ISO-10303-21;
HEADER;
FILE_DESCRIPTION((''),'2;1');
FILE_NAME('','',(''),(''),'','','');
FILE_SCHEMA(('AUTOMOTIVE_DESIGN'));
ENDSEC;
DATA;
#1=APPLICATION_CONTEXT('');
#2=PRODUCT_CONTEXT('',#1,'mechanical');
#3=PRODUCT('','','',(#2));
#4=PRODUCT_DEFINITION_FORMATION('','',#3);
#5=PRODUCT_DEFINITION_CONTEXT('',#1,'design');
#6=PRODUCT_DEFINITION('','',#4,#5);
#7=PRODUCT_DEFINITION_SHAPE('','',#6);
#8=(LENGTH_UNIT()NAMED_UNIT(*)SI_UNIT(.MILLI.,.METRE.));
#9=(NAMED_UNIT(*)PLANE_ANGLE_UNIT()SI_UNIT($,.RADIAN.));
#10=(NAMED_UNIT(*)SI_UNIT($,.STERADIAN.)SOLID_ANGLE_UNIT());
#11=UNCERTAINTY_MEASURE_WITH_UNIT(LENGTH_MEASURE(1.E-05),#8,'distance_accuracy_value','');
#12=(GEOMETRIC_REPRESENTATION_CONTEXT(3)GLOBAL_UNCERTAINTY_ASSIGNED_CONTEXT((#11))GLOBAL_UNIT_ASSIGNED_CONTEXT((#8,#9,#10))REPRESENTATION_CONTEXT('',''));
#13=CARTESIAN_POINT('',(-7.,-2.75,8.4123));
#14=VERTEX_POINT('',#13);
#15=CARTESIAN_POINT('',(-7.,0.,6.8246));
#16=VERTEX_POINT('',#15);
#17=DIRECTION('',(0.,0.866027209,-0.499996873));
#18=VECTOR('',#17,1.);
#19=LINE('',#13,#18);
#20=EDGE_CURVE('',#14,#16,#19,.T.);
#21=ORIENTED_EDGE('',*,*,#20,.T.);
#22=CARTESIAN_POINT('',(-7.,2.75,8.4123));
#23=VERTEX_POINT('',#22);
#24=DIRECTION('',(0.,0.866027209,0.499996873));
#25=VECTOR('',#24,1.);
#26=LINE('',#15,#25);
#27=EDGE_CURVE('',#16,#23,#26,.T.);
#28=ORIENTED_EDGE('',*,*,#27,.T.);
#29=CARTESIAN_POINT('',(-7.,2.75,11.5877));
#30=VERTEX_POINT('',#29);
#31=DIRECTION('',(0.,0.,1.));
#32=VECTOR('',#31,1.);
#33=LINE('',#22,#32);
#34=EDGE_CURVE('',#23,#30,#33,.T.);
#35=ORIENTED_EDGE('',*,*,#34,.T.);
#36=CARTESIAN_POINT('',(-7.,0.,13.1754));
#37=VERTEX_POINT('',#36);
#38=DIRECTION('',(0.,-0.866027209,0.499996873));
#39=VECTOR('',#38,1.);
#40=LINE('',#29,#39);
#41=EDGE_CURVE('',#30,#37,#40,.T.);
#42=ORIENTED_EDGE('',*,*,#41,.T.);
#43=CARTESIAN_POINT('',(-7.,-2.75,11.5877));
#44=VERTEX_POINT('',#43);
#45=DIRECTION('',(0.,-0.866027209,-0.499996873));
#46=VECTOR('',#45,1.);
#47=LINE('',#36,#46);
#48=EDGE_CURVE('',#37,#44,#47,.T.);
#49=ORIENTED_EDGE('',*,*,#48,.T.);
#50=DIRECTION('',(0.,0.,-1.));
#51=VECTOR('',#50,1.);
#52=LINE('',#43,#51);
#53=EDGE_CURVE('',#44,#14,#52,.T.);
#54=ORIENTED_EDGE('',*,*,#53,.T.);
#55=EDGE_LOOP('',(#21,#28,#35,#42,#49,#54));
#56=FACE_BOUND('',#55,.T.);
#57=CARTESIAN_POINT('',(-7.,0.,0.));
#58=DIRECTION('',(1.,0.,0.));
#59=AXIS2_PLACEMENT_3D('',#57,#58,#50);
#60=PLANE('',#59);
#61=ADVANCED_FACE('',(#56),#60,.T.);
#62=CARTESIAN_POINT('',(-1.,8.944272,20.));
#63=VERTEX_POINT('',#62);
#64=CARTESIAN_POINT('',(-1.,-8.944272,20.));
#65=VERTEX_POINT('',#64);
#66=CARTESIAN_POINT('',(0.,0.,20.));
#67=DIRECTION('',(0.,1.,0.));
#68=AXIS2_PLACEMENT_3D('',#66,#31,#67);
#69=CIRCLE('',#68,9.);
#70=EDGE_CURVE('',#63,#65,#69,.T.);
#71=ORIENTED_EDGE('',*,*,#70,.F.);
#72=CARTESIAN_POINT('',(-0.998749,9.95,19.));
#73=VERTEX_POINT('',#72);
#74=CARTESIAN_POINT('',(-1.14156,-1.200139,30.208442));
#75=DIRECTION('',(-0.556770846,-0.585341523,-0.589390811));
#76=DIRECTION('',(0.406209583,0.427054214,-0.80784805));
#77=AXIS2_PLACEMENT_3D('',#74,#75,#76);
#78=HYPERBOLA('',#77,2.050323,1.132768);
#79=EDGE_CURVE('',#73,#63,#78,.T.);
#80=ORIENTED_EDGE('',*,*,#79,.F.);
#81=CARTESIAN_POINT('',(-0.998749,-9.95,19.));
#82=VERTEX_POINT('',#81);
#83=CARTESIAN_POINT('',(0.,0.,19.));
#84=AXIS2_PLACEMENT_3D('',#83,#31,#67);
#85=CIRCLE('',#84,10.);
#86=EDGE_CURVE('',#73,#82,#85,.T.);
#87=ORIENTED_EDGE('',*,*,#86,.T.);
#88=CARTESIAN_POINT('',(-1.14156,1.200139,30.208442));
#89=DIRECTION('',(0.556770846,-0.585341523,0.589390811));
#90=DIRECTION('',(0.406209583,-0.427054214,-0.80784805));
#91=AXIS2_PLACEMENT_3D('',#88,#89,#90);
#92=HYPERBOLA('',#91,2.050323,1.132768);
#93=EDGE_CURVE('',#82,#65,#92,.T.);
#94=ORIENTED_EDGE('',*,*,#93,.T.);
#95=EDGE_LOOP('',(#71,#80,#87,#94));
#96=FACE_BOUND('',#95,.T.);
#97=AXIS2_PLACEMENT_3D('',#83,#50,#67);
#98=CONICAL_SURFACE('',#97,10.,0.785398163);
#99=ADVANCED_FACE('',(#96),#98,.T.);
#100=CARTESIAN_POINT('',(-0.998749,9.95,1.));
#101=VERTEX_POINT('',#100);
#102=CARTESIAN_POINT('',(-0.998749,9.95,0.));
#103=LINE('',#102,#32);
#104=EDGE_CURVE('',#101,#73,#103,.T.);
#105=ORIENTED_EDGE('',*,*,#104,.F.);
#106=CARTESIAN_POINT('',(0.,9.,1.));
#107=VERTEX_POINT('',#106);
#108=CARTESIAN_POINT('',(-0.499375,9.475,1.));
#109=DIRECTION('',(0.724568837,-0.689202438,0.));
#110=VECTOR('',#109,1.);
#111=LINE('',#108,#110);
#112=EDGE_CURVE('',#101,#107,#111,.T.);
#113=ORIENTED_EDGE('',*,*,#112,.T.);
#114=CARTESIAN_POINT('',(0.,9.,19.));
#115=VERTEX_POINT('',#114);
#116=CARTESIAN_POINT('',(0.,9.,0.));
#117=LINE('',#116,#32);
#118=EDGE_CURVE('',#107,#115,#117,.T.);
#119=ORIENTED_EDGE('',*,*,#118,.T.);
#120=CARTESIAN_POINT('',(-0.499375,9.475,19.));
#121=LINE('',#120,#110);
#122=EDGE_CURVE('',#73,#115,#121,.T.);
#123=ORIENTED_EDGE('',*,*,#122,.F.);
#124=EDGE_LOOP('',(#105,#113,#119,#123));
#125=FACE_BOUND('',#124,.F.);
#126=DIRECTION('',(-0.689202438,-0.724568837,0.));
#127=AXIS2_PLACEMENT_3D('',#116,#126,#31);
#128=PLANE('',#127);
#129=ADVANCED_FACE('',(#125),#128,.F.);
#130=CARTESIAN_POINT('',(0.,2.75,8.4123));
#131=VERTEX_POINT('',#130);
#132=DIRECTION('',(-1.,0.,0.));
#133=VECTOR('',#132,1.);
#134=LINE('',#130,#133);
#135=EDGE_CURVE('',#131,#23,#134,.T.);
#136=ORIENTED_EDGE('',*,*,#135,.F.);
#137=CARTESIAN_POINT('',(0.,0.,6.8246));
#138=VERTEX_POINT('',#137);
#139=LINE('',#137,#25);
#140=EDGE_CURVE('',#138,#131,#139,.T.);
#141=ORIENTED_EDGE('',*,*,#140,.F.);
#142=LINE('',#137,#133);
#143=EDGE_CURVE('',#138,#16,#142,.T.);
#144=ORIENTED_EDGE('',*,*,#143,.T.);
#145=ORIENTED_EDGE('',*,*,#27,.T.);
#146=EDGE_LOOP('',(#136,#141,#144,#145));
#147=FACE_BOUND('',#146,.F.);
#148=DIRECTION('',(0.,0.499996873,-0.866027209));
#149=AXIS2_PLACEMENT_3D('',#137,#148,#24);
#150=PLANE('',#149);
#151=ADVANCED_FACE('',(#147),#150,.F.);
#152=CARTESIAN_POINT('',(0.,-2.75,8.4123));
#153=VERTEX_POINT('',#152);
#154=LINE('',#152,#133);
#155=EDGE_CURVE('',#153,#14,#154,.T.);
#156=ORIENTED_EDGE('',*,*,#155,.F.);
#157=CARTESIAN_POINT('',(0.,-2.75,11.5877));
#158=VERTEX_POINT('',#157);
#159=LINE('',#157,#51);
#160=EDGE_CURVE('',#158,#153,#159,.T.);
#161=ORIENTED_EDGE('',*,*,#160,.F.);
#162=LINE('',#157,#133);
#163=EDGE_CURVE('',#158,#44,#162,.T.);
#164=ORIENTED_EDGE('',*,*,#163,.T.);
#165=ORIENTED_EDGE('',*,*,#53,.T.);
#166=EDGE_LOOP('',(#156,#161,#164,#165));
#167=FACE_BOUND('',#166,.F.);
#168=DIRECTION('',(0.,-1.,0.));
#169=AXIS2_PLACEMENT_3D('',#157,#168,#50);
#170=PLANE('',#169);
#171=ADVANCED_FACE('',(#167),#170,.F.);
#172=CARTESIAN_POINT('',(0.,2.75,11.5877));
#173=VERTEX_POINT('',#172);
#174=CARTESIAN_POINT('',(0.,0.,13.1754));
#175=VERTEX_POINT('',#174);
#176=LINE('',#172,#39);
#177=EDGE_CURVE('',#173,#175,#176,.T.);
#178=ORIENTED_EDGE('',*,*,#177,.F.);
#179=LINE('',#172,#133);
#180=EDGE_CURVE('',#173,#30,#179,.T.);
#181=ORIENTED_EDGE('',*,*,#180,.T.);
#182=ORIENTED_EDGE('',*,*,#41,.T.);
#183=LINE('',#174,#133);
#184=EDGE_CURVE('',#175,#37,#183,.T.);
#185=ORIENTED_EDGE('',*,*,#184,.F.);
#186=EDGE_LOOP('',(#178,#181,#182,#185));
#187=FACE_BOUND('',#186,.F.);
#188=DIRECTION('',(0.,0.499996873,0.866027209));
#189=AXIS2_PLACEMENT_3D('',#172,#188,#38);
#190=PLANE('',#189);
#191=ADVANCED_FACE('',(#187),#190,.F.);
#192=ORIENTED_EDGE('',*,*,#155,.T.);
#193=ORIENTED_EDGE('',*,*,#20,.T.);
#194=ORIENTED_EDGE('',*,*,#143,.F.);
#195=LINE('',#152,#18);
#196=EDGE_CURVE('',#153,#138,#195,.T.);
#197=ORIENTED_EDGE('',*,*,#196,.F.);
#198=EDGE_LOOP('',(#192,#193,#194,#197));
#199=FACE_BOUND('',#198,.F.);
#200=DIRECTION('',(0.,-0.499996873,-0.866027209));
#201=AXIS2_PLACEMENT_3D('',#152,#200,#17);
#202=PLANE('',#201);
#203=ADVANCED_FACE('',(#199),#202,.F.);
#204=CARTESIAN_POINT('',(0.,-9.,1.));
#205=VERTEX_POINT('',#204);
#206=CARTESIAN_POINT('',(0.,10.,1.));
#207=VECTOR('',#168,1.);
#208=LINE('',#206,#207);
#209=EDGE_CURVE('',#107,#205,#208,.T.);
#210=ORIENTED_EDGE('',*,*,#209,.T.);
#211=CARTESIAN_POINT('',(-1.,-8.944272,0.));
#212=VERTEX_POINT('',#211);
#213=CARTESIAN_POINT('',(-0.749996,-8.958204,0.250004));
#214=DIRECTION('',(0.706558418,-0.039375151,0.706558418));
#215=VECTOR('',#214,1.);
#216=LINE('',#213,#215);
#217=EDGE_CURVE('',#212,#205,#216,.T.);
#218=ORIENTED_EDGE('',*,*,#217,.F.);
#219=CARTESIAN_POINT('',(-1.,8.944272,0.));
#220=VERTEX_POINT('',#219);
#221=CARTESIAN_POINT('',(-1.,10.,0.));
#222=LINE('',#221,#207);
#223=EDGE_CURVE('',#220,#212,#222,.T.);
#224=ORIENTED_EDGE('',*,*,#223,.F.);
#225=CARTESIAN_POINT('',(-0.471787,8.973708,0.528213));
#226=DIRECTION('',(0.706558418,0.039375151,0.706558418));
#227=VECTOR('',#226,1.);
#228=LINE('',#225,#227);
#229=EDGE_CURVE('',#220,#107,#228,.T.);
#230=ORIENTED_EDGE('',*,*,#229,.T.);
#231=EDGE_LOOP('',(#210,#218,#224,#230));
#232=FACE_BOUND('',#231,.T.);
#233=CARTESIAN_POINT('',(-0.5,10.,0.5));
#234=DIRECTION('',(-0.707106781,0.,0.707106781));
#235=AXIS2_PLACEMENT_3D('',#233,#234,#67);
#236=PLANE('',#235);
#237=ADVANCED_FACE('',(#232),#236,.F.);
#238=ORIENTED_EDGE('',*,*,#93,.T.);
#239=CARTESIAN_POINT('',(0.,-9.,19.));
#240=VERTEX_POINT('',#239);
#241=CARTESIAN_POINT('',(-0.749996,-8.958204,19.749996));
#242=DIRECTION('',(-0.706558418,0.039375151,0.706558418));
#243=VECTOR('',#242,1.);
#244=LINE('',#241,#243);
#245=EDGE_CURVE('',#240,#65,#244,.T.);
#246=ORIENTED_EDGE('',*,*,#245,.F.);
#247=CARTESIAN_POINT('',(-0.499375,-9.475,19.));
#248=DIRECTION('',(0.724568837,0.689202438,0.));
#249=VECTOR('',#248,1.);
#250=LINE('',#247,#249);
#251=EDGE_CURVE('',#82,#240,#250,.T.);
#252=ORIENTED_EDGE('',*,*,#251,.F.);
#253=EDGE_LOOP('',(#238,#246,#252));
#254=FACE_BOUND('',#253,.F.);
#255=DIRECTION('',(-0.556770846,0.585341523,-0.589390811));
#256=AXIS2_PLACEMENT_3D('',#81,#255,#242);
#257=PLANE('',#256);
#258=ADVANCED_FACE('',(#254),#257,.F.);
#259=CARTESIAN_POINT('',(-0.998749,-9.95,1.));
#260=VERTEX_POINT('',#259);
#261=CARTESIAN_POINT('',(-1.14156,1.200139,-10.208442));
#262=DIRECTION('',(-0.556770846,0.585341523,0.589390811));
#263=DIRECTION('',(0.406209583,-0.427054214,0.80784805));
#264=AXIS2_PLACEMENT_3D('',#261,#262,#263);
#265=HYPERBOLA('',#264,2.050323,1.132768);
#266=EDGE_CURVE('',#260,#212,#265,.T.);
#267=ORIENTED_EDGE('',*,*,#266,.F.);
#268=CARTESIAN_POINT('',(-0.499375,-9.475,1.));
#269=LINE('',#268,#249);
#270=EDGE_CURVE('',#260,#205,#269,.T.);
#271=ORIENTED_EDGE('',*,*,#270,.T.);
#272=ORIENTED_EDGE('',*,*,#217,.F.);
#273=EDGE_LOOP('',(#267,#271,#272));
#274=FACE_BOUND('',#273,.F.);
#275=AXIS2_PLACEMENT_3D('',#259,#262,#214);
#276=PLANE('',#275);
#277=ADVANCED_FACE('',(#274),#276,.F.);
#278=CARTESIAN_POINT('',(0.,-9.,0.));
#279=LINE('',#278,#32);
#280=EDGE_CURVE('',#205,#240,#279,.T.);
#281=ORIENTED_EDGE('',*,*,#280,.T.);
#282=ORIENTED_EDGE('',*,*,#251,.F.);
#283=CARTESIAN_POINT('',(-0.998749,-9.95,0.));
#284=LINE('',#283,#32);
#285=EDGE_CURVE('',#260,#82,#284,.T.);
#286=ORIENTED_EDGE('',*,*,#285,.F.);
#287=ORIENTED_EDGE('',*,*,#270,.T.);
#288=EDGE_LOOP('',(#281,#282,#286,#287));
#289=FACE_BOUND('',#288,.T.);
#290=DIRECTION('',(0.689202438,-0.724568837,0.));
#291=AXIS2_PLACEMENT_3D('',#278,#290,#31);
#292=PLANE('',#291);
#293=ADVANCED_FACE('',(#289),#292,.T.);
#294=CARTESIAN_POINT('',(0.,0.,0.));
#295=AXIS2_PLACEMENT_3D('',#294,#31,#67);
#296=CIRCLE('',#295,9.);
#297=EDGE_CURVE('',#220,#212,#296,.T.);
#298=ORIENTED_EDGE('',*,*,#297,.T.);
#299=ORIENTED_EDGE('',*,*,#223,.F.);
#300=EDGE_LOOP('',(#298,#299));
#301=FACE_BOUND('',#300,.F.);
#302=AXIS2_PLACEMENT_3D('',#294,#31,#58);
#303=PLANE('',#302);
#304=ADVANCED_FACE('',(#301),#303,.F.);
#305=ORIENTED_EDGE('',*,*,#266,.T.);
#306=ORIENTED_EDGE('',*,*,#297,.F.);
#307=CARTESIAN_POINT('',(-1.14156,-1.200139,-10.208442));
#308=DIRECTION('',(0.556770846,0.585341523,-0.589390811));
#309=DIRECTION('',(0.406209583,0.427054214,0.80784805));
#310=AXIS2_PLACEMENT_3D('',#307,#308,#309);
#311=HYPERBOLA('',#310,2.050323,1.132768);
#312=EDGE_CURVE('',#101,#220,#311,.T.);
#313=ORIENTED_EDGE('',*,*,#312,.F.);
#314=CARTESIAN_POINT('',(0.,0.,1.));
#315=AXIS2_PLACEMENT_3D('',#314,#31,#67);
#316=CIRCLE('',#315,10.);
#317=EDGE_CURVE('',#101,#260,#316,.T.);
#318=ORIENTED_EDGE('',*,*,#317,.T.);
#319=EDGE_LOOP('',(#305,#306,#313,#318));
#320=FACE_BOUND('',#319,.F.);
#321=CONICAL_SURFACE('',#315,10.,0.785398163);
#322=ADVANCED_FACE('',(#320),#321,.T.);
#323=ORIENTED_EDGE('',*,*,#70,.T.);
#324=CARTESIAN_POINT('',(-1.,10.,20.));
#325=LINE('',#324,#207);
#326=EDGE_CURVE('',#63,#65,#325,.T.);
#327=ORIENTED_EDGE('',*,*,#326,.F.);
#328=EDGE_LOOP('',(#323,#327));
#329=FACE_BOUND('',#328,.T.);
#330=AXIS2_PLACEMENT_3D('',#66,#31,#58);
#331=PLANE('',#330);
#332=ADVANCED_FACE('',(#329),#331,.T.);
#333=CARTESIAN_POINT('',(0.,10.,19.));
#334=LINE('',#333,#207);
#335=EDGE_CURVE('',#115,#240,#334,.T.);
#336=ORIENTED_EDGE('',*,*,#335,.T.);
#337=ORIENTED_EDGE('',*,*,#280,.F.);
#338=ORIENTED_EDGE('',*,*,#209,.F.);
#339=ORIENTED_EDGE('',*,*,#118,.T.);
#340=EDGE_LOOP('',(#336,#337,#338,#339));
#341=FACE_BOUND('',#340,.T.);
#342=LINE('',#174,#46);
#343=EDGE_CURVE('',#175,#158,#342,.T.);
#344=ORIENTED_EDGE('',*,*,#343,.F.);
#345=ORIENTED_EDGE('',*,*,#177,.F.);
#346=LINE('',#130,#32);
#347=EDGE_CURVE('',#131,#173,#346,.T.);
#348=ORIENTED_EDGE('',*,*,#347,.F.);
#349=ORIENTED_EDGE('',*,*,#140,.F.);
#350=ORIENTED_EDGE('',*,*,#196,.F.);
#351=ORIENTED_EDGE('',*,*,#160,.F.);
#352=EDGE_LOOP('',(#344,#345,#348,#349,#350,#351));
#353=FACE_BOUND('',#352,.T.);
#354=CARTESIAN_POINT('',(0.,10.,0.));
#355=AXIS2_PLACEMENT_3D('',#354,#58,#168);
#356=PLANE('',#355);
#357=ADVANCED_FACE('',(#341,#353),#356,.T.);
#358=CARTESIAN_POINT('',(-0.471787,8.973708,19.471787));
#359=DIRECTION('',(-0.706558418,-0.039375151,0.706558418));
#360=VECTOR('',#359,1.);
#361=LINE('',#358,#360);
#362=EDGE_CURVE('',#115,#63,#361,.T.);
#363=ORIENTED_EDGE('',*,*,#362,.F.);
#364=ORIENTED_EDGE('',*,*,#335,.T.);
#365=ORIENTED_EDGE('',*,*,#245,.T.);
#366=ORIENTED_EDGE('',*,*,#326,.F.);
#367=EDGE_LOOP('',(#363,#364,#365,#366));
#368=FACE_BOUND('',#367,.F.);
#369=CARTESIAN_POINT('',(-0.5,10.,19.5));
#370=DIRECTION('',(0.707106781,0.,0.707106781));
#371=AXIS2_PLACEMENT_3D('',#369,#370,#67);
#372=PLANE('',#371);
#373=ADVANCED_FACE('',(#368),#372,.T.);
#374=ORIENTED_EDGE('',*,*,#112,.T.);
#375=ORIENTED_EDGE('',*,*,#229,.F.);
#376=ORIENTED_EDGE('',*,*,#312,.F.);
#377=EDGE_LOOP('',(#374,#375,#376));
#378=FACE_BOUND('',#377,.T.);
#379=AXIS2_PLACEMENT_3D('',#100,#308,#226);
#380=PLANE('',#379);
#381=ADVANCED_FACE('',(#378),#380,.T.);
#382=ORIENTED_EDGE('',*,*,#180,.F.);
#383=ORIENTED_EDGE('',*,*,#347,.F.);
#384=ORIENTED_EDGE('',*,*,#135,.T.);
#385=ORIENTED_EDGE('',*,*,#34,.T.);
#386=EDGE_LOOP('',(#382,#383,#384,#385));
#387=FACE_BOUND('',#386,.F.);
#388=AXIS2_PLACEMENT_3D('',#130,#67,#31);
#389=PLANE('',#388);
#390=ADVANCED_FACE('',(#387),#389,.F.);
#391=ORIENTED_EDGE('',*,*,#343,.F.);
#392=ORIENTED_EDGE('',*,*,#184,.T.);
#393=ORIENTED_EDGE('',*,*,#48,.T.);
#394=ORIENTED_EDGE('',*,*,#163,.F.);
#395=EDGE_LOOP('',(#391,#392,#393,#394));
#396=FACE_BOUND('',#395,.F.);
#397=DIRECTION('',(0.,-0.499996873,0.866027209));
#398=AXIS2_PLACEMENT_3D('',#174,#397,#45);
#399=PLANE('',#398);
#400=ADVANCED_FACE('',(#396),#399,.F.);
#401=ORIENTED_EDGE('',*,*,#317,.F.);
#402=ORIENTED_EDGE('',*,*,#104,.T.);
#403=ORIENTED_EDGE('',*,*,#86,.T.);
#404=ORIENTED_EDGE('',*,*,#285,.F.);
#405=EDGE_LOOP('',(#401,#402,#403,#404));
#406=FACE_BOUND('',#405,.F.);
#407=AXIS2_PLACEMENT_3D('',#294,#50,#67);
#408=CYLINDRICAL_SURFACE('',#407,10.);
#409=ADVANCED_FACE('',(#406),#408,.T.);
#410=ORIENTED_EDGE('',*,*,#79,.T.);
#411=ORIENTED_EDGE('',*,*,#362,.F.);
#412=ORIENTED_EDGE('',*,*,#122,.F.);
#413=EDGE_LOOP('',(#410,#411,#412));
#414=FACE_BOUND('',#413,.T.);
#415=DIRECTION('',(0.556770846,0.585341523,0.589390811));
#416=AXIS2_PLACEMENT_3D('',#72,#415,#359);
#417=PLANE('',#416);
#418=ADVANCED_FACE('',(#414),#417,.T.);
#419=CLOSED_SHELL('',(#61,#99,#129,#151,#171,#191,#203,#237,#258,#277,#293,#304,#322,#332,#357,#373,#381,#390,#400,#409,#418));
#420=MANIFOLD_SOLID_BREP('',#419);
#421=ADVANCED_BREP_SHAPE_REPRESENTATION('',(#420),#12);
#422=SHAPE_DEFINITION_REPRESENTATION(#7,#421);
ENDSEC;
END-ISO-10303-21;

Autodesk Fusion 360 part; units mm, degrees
sketch "Sketch1" plane through (0, 0, 0) normal (0, 0, 1) x (1, 0, 0)
  line L0 (0, 10) -> (0, -10)
  arc A0 (0, 10) -> (0, -10) centre (0, 0) ccw
extrude "Extrude1" add sketch "Sketch1" along normal blind 20
sketch "Sketch2" plane through (0, 0, 0) normal (1, 0, 0) x (0, 0, -1)
  line L0 (0, -10) -> (0, 10)
  line L1 (0, 10) -> (-20, 10)
  line L2 (-20, 10) -> (-20, -10)
  line L3 (-20, -10) -> (0, -10)
  line L4 (-8.4123, -2.75) -> (-6.8246, 0)
  line L5 (-6.8246, 0) -> (-8.4123, 2.75)
  line L6 (-8.4123, 2.75) -> (-11.5877, 2.75)
  line L7 (-11.5877, 2.75) -> (-13.1754, 0)
  line L8 (-13.1754, 0) -> (-11.5877, -2.75)
  line L9 (-11.5877, -2.75) -> (-8.4123, -2.75)
  point P0 (-10, 0)
  dimension "d3" = 2.75
extrude "Extrude2" cut sketch "Sketch2" against normal blind 7 contours L4 L5 L6 L7 L8 L9
chamfer "Chamfer1" distance 1 angle 45 6 edges at (0, 0, 20) (0, 10, 10) (0, -10, 10) (0, 0, 0) (-10, 0, 0) (-10, 0, 20)
equation "d3 = ( 5.5 / 2 ) * 1 mm"
